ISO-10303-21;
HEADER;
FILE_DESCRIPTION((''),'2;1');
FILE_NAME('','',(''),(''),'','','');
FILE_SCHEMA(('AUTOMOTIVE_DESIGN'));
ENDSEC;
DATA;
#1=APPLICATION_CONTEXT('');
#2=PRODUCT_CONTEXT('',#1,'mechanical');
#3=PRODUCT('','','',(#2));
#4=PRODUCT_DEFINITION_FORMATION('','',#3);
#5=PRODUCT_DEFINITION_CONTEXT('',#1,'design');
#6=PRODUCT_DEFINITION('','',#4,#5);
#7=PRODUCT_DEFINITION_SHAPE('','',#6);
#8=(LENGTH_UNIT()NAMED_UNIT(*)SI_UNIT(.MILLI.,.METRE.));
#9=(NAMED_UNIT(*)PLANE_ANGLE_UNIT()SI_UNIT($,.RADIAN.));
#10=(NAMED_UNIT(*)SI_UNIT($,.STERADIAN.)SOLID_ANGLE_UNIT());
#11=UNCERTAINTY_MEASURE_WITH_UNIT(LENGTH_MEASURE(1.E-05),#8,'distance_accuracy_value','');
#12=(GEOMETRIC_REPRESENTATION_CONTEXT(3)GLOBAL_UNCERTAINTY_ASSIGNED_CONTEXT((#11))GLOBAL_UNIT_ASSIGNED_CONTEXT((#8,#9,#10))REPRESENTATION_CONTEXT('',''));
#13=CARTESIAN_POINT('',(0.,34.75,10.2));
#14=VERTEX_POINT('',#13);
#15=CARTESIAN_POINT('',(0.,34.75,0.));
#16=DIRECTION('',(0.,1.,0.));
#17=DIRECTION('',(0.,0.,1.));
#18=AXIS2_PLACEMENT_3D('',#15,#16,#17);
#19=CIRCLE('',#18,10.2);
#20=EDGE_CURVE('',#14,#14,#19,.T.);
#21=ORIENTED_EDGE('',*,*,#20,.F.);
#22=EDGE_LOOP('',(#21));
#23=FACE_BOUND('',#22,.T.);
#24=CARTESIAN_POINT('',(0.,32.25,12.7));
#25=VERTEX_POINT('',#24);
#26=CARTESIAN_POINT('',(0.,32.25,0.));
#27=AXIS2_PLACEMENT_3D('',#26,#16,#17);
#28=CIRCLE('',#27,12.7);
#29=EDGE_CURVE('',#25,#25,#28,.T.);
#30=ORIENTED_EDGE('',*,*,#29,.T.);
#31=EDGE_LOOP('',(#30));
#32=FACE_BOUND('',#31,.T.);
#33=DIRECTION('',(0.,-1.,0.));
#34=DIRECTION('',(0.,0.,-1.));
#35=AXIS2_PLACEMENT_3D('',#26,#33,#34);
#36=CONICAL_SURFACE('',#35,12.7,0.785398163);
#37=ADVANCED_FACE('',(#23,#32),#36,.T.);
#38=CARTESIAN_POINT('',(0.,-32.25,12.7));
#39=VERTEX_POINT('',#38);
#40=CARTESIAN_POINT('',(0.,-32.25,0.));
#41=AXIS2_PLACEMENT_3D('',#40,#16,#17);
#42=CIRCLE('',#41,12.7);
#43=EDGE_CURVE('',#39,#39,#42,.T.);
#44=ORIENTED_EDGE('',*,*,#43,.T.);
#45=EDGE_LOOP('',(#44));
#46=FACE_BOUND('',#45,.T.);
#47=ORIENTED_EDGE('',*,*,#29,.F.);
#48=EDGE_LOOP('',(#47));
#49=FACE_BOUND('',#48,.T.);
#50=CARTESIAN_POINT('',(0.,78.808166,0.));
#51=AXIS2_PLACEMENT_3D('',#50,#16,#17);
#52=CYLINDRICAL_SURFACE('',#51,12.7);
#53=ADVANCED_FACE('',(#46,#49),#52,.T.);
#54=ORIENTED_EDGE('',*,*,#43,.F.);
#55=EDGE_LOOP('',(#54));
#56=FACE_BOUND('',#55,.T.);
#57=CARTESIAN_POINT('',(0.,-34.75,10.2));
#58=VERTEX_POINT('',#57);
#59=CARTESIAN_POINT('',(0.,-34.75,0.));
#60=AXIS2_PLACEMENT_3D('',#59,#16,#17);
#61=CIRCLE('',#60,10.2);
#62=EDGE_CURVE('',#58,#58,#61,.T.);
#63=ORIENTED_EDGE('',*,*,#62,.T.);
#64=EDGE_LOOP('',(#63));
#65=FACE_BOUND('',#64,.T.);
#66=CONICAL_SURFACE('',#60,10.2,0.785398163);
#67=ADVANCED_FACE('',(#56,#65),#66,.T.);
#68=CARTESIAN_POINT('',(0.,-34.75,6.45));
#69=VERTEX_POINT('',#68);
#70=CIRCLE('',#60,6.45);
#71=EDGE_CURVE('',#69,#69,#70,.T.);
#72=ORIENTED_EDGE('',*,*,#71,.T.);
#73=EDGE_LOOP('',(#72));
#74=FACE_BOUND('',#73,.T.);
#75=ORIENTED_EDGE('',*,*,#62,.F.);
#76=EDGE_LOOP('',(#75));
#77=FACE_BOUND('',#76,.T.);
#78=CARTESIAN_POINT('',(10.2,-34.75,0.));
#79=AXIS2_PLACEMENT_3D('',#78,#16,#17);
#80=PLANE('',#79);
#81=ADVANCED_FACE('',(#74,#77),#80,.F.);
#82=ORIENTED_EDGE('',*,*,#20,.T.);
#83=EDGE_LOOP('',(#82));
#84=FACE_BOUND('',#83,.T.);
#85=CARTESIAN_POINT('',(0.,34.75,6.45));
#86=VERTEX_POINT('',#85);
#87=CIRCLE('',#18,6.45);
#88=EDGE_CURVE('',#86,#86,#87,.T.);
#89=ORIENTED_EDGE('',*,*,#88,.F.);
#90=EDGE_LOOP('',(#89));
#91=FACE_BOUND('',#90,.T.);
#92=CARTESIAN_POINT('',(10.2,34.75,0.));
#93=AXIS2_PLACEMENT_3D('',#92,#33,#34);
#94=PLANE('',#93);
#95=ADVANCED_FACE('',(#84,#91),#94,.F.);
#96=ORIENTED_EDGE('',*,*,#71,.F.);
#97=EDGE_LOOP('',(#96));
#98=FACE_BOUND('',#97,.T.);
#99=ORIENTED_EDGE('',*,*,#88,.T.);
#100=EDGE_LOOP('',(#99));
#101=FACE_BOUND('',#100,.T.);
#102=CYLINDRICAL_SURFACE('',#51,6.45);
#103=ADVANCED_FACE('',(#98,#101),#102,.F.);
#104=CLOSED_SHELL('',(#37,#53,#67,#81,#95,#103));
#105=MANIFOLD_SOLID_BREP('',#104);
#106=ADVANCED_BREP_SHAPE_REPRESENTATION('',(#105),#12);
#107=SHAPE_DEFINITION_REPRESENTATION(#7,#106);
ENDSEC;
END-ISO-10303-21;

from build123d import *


with BuildPart() as part:
    # Sketch1 → Revolve1 (revolve)
    with BuildSketch(Plane.XY):
        Polygon((12.7, 32.25), (12.7, -32.25), (10.2, -34.75), (6.45, -34.75), (6.45, 34.75), (10.2, 34.75), align=None)
    revolve(axis=Axis((0, 78.808165711, 0), (0, -1, 0)))


solid = part.part
